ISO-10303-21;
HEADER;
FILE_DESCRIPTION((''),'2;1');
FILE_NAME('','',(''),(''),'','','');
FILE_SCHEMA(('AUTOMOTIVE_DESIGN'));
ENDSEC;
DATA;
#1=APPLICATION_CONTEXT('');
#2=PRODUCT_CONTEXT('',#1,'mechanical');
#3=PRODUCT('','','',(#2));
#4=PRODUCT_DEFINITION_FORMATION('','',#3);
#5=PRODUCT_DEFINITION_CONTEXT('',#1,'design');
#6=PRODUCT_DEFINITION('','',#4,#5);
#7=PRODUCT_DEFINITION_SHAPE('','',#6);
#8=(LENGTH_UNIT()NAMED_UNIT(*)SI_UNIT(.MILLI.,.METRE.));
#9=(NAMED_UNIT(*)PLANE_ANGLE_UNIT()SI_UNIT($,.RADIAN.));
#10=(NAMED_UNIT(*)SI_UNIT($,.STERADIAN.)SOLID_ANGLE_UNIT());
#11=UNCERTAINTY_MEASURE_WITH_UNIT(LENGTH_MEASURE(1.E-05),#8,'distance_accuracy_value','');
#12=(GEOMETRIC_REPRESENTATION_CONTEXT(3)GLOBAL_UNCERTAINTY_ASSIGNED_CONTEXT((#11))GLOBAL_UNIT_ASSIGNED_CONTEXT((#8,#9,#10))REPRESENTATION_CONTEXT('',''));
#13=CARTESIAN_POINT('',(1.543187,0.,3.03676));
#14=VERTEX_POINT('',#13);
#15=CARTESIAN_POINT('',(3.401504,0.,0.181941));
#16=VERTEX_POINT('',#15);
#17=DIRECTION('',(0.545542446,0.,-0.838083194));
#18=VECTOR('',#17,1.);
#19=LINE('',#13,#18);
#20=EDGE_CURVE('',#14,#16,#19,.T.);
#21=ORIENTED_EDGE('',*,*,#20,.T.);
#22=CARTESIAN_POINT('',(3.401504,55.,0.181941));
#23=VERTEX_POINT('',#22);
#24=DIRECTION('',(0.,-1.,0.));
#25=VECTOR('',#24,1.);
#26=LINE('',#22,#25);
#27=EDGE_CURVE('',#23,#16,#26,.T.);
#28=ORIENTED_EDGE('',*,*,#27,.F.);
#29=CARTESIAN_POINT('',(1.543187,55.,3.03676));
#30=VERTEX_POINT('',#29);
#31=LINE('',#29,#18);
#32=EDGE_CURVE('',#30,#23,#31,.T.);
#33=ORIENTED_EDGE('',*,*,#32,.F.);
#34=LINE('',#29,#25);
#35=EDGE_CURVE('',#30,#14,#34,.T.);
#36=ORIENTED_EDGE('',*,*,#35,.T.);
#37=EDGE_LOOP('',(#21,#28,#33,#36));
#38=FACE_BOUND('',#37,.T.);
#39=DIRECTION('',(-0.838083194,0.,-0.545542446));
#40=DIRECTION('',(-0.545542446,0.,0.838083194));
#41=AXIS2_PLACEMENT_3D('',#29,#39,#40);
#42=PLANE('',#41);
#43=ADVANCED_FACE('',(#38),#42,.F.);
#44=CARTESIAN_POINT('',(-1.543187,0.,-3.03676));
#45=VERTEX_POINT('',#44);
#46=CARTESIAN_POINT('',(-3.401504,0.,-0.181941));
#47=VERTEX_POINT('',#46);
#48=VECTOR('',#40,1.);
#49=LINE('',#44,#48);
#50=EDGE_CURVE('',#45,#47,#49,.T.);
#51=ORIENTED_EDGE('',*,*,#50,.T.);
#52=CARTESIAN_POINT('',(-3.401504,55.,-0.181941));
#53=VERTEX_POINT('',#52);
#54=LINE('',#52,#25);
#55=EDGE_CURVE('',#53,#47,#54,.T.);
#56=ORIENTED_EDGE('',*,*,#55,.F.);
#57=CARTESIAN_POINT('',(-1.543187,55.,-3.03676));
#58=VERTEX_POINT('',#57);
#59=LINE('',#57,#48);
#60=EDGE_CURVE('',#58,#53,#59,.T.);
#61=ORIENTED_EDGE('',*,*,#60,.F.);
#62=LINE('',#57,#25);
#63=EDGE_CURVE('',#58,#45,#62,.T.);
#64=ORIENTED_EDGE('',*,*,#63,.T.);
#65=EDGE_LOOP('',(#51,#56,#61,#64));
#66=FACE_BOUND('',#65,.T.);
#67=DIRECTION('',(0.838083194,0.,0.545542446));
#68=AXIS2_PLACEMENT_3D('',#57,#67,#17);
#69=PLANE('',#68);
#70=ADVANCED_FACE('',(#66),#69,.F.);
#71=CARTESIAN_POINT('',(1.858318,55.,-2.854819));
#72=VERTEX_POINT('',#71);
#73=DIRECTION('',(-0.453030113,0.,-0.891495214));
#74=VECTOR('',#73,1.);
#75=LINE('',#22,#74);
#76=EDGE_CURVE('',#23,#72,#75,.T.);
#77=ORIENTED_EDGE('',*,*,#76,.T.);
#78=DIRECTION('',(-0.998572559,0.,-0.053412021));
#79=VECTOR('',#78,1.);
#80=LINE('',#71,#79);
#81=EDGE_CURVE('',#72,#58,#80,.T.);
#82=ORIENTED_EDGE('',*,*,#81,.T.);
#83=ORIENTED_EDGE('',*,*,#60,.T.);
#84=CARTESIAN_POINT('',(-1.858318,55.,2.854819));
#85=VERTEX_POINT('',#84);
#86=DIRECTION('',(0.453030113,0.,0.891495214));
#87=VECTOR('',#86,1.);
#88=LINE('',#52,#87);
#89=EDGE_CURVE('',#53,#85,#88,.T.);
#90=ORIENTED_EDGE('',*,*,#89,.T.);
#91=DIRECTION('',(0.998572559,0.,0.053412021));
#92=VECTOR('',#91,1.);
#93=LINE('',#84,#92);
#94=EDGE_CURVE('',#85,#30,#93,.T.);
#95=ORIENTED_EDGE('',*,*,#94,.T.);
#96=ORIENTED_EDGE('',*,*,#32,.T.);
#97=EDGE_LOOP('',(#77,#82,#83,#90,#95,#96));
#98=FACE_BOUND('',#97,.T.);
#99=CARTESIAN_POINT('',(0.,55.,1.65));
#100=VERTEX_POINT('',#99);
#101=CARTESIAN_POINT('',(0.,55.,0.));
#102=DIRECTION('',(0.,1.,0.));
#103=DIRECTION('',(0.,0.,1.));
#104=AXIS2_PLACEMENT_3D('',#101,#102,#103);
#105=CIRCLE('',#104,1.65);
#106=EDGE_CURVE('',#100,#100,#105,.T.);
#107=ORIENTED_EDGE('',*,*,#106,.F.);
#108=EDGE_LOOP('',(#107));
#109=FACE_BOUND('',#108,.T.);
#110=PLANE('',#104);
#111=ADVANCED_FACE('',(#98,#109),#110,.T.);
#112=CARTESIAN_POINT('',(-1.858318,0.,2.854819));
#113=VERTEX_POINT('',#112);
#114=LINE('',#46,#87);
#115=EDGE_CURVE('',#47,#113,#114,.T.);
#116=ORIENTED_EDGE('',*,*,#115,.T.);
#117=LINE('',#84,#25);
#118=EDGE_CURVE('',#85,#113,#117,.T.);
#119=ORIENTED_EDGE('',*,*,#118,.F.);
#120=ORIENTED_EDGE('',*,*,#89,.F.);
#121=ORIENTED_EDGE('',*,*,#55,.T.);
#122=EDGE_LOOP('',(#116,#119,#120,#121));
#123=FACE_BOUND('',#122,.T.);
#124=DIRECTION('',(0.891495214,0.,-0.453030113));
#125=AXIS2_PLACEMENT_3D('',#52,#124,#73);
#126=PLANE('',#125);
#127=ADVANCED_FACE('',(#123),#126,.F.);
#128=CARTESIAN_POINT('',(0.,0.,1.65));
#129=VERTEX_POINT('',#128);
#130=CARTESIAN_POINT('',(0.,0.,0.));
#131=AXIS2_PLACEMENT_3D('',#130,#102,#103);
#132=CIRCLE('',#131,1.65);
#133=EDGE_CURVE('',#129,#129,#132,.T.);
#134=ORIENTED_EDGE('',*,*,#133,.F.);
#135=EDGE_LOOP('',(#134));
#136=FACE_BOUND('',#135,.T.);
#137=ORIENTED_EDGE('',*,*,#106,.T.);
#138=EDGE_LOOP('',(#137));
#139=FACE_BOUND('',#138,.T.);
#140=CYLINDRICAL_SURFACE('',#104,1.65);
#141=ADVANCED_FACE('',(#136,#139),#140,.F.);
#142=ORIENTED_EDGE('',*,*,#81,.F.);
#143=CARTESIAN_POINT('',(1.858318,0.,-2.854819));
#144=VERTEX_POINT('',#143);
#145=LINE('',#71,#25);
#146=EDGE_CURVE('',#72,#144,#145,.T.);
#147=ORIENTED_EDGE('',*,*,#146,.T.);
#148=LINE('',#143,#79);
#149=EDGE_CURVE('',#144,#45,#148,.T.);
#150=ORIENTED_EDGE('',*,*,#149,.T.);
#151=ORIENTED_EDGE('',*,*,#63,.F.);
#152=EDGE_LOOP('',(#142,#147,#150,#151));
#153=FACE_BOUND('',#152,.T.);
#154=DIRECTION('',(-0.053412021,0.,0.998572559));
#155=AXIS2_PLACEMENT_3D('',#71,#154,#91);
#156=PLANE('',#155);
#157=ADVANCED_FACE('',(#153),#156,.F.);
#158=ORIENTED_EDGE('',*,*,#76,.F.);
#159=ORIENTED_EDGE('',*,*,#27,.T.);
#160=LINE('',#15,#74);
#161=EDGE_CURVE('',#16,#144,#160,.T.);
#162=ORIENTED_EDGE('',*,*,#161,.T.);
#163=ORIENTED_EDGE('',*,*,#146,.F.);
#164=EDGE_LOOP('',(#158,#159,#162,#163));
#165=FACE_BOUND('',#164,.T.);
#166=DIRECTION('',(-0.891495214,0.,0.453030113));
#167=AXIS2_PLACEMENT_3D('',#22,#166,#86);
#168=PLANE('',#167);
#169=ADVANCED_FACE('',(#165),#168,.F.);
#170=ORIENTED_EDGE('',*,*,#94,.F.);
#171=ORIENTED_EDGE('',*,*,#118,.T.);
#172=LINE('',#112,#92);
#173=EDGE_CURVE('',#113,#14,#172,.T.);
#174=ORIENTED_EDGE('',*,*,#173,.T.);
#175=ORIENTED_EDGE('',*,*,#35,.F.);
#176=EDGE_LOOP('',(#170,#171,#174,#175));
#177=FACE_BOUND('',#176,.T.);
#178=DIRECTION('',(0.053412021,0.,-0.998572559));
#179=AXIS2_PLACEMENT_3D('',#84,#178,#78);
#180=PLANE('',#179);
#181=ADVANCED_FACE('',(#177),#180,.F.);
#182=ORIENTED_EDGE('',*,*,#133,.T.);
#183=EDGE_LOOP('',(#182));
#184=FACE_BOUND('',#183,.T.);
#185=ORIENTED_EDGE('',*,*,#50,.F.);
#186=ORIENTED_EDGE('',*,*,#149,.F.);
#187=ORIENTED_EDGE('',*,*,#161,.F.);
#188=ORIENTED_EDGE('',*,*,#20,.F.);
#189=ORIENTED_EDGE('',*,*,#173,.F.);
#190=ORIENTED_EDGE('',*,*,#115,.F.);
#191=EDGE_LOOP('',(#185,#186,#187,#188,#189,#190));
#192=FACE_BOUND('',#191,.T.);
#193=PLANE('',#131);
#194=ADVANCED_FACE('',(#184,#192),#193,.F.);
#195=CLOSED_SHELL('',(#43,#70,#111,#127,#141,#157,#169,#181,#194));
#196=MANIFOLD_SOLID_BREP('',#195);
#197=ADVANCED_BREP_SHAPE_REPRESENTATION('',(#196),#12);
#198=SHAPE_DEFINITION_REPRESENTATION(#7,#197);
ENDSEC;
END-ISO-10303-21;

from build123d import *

# Parameters (mm, degrees)
EXTRUDE_1_DEPTH    = 55
HOLE_WIZARD_M4_1_D = 3.3


with BuildPart() as part:
    # 草图1 → 凸台-拉伸1 (new body)
    with BuildSketch(Plane(origin=(0, 0, 0), x_dir=(1, 0, 0), z_dir=(0, 1, 0))):
        Polygon((3.401504202, -0.181940922), (1.858317562, 2.854818589), (-1.54318664, 3.036759511), (-3.401504202, 0.181940922), (-1.858317562, -2.854818589), (1.54318664, -3.036759511), align=None)
    extrude(amount=EXTRUDE_1_DEPTH)

    # M4 螺纹孔1 (through all)
    with Locations(Plane(origin=(0, 55, 0), x_dir=(1, 0, 0), z_dir=(0, 1, 0))):
        with Locations((0, 0)):
            Hole(HOLE_WIZARD_M4_1_D / 2)


solid = part.part
